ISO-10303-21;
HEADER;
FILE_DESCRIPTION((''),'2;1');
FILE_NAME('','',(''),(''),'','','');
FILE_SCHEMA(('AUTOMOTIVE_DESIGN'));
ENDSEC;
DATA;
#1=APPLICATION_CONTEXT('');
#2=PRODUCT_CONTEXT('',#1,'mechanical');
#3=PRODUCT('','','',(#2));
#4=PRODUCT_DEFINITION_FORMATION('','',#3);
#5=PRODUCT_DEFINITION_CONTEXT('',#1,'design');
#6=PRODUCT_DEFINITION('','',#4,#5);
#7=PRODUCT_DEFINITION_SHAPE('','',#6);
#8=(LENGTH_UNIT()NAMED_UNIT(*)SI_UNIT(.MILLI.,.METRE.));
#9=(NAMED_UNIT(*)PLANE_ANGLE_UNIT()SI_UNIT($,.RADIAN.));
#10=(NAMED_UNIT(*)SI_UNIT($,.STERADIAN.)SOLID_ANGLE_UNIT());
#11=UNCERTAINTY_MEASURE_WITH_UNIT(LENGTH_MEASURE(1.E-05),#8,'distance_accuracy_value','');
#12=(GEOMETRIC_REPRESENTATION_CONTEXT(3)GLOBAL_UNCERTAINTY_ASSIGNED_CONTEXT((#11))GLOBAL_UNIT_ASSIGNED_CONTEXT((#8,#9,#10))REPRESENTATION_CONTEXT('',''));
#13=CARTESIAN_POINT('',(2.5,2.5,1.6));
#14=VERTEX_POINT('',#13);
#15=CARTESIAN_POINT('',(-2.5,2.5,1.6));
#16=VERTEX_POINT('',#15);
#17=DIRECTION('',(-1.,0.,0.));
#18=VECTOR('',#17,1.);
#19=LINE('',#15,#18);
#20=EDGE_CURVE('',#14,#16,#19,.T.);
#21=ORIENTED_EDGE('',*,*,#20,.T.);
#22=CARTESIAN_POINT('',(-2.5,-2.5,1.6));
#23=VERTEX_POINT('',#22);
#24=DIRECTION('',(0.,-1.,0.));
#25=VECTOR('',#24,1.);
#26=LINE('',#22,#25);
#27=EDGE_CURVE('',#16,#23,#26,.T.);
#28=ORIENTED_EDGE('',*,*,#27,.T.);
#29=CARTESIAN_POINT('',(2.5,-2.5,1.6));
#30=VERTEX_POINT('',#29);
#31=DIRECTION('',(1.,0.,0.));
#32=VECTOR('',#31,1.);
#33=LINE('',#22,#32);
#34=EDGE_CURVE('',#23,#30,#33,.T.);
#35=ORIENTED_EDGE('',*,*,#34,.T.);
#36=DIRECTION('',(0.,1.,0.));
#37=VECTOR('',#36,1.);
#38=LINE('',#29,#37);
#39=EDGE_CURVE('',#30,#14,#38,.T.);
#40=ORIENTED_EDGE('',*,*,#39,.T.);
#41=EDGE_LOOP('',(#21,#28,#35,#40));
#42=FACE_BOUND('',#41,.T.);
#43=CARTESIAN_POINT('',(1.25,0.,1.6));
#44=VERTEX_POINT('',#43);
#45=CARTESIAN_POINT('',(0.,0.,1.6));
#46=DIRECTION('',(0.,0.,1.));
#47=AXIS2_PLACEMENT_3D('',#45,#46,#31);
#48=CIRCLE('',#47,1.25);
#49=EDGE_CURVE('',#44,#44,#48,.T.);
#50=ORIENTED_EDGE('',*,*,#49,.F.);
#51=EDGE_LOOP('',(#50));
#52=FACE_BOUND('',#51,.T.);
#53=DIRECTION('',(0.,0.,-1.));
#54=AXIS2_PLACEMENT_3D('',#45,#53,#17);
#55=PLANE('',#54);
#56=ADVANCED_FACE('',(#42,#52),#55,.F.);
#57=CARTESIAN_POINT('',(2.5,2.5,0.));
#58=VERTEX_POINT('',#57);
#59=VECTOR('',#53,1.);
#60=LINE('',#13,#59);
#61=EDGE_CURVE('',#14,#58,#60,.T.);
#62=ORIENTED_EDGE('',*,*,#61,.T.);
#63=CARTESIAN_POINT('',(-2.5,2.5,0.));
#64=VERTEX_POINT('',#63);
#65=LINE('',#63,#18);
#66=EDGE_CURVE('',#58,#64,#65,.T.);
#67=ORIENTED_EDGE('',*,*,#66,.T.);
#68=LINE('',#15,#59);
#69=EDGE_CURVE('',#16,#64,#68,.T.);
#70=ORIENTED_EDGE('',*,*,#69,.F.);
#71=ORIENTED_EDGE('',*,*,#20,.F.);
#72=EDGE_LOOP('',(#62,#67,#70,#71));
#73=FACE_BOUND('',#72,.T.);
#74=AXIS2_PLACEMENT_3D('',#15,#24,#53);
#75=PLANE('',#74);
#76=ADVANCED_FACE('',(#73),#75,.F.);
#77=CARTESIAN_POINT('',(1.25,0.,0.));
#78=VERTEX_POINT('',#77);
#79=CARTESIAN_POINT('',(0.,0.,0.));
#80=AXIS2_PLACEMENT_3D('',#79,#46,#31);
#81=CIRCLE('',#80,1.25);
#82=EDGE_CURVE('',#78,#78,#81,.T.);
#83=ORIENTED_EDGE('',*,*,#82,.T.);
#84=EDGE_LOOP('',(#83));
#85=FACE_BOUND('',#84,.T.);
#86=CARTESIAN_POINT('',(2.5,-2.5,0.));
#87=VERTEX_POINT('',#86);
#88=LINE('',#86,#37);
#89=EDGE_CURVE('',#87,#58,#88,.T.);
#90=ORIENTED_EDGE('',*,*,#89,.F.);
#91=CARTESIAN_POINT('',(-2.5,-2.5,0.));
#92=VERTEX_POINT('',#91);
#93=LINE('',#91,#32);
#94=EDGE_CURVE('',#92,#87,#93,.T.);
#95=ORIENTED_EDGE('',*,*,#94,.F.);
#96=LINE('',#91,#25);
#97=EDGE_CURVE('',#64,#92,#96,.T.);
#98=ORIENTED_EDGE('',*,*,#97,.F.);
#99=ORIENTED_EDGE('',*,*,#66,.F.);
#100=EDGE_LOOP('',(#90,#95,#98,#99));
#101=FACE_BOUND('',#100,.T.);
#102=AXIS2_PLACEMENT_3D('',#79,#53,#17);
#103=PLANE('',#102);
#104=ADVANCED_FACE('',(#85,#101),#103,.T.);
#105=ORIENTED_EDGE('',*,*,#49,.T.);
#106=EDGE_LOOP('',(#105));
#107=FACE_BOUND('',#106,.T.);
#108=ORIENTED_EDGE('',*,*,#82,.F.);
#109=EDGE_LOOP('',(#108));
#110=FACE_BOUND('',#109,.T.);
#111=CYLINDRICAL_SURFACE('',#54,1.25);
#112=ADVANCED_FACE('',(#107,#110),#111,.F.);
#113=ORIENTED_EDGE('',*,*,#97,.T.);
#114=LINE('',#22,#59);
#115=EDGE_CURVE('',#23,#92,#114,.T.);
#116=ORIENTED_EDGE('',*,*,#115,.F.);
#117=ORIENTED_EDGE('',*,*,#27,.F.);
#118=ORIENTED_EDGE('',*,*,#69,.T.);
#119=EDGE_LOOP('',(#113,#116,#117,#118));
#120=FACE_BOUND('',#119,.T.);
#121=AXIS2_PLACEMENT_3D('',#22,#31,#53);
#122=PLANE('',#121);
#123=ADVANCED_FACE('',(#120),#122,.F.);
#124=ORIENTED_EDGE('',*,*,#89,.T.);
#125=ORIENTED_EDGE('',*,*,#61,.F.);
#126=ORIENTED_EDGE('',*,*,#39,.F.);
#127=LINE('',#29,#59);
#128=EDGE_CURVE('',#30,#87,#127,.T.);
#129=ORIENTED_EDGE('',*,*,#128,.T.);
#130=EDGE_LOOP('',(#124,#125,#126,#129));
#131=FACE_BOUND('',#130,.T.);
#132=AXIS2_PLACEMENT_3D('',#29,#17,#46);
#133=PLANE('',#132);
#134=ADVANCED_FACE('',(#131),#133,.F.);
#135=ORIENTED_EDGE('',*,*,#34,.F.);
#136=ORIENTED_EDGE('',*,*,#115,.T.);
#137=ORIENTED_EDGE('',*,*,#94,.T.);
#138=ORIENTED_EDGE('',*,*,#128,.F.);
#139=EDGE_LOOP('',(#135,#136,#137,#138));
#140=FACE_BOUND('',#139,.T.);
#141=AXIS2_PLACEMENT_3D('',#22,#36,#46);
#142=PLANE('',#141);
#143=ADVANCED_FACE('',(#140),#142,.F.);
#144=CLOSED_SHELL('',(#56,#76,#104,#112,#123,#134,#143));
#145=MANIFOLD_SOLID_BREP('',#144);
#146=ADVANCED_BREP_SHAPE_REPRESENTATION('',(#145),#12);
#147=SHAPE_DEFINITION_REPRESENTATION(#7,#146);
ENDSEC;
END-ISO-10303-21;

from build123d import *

# Parameters (mm, degrees)
SKETCH_1_W            = 5
SKETCH_1_H            = 5
DIN562_DEPTH          = 1.6
SKETCH_2_R            = 1.25
CUT_EXTRUDE_380_DEPTH = 1.6


with BuildPart() as part:
    # 草图1 → DIN562薄方螺母_外形 (new body)
    with BuildSketch(Plane.XY):
        Rectangle(SKETCH_1_W, SKETCH_1_H)
    extrude(amount=DIN562_DEPTH)

    # 草图2 → Cut-Extrude 380 (cut)
    with BuildSketch(Plane.XY):
        Circle(SKETCH_2_R)
    extrude(amount=CUT_EXTRUDE_380_DEPTH, mode=Mode.SUBTRACT)


solid = part.part
